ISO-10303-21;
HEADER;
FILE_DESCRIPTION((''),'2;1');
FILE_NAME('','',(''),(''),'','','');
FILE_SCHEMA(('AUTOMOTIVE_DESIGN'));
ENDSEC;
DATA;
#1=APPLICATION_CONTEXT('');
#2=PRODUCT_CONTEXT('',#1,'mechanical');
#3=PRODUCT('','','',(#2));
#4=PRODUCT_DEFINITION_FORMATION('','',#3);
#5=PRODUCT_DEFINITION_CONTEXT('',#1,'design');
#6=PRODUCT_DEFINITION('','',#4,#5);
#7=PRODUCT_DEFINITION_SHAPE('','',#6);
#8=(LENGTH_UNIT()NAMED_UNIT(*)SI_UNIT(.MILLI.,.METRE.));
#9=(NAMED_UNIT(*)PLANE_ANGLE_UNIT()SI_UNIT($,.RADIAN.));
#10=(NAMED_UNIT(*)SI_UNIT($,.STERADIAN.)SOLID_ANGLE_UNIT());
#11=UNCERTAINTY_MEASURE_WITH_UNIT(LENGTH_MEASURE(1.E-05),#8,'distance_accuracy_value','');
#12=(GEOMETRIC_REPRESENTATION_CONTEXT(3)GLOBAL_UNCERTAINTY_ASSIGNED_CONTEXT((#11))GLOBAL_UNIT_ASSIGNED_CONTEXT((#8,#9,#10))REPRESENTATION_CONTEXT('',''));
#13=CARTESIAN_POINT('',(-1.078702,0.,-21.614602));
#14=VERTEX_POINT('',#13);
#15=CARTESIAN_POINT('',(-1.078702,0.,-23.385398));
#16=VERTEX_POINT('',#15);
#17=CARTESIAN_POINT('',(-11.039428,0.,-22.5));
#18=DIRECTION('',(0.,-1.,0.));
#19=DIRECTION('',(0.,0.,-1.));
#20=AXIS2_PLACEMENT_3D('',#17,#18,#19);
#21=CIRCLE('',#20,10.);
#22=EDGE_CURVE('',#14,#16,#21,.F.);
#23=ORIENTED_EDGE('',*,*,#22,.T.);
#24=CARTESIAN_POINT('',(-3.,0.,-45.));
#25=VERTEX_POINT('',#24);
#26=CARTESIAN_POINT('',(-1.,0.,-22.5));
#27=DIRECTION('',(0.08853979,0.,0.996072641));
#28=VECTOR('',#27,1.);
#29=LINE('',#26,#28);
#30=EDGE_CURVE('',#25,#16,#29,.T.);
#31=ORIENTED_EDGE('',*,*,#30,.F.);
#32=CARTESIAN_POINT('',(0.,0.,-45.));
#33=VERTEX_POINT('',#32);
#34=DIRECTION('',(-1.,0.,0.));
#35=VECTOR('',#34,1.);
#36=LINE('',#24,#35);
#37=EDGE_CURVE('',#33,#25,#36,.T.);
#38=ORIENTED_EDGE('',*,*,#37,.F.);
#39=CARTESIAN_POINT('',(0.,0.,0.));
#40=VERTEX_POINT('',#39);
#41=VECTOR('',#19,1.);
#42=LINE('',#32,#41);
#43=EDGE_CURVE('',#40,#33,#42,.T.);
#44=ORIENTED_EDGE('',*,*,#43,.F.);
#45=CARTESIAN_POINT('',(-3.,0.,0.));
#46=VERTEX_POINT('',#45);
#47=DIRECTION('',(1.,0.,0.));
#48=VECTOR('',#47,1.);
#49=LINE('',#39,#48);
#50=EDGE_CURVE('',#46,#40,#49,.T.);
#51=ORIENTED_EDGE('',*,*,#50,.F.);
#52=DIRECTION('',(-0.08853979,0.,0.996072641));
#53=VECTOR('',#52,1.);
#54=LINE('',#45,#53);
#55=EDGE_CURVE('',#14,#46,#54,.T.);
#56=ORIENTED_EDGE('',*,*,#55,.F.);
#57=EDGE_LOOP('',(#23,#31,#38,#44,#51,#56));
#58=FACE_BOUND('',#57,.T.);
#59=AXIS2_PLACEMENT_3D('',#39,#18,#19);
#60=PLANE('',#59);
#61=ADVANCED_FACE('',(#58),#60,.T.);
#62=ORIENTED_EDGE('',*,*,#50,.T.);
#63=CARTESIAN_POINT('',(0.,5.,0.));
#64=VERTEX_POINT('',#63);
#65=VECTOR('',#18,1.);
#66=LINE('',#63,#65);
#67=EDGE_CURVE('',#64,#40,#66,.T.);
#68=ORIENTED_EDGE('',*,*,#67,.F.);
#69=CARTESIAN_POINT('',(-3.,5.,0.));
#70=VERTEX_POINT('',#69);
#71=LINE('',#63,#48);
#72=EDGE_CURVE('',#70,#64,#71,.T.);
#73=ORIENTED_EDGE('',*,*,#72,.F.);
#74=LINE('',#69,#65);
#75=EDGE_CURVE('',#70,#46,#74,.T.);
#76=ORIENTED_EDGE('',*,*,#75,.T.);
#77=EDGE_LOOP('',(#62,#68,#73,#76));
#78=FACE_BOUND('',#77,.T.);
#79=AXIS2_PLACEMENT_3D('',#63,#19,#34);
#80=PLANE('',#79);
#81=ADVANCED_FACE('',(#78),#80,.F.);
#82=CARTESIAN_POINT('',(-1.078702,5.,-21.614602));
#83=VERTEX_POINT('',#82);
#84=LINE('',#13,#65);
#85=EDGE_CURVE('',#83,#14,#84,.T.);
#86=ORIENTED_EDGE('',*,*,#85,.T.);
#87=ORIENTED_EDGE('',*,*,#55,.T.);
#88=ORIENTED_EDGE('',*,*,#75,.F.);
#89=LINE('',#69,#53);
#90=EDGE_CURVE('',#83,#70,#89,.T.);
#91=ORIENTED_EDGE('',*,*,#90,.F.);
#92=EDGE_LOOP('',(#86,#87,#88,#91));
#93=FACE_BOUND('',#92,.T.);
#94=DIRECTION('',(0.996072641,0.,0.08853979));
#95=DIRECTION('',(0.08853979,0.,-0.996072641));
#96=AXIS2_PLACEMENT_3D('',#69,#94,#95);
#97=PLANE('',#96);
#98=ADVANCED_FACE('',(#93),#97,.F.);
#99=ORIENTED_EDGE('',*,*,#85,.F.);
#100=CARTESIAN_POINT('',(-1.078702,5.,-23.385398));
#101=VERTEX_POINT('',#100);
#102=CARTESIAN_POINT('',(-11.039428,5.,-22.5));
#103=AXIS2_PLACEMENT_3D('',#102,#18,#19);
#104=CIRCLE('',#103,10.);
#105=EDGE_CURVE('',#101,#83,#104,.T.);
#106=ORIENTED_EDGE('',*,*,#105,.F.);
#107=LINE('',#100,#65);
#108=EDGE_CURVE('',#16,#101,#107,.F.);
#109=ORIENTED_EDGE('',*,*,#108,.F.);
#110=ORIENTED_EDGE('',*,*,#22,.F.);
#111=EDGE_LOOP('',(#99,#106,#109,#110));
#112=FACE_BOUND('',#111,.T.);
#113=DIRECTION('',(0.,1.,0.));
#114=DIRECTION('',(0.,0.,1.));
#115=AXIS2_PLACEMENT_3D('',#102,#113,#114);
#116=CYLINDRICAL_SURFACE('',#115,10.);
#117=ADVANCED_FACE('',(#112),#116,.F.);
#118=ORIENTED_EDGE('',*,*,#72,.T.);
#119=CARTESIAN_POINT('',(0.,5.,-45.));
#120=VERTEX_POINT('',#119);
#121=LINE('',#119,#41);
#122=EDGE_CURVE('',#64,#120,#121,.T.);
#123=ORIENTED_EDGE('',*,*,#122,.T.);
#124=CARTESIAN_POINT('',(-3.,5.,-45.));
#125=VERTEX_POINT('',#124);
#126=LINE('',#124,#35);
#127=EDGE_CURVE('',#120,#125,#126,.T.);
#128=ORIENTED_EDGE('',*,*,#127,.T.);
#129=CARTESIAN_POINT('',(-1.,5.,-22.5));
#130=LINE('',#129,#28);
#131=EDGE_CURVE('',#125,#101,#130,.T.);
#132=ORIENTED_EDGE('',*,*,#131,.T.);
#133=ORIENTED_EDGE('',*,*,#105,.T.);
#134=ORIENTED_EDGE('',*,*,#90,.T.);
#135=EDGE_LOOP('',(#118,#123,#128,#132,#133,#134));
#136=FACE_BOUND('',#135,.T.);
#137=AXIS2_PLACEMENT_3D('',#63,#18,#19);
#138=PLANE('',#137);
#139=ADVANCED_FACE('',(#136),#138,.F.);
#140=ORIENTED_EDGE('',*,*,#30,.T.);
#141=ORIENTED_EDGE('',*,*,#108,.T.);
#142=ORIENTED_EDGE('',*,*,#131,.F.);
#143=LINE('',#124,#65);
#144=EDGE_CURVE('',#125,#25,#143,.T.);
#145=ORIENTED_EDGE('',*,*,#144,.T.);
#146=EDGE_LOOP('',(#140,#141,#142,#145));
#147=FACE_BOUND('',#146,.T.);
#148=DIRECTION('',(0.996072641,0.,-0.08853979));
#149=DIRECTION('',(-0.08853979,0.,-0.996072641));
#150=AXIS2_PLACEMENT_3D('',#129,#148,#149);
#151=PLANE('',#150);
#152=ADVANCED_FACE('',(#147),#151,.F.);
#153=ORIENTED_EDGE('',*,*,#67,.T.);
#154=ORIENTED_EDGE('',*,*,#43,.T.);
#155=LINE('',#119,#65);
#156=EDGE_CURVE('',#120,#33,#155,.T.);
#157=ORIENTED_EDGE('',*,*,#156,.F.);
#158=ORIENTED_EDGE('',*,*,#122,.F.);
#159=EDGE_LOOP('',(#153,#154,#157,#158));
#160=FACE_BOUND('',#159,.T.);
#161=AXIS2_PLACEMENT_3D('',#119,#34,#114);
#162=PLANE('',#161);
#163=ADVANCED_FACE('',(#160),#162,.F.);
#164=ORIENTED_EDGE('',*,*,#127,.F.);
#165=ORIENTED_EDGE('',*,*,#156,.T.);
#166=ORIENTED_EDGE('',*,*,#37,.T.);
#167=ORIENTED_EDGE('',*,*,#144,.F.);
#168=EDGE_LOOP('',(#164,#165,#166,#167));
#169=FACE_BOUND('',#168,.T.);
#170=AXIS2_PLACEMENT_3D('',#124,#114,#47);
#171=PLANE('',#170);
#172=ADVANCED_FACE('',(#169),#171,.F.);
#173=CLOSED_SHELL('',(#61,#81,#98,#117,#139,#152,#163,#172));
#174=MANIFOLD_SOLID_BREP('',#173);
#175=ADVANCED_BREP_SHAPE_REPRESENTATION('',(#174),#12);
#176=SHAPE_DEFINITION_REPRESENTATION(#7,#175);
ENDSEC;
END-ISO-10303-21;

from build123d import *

# Parameters (mm, degrees)
SALIENTE_EXTRUIR1_DEPTH = 5
REDONDEO1_R             = 10


with BuildPart() as part:
    # Croquis1 → Saliente-Extruir1 (new body)
    with BuildSketch(Plane(origin=(0, 0, 0), x_dir=(1, 0, 0), z_dir=(0, 1, 0))):
        Polygon((0, 0), (-3, 0), (-1, 22.5), (-3, 45), (0, 45), align=None)
    extrude(amount=SALIENTE_EXTRUIR1_DEPTH)

    # Redondeo1
    redondeo1_edges = [part.edges().sort_by_distance(p)[0] for p in [
        (-1, 2.5, -22.5),
    ]]
    fillet(redondeo1_edges, radius=REDONDEO1_R)


solid = part.part
